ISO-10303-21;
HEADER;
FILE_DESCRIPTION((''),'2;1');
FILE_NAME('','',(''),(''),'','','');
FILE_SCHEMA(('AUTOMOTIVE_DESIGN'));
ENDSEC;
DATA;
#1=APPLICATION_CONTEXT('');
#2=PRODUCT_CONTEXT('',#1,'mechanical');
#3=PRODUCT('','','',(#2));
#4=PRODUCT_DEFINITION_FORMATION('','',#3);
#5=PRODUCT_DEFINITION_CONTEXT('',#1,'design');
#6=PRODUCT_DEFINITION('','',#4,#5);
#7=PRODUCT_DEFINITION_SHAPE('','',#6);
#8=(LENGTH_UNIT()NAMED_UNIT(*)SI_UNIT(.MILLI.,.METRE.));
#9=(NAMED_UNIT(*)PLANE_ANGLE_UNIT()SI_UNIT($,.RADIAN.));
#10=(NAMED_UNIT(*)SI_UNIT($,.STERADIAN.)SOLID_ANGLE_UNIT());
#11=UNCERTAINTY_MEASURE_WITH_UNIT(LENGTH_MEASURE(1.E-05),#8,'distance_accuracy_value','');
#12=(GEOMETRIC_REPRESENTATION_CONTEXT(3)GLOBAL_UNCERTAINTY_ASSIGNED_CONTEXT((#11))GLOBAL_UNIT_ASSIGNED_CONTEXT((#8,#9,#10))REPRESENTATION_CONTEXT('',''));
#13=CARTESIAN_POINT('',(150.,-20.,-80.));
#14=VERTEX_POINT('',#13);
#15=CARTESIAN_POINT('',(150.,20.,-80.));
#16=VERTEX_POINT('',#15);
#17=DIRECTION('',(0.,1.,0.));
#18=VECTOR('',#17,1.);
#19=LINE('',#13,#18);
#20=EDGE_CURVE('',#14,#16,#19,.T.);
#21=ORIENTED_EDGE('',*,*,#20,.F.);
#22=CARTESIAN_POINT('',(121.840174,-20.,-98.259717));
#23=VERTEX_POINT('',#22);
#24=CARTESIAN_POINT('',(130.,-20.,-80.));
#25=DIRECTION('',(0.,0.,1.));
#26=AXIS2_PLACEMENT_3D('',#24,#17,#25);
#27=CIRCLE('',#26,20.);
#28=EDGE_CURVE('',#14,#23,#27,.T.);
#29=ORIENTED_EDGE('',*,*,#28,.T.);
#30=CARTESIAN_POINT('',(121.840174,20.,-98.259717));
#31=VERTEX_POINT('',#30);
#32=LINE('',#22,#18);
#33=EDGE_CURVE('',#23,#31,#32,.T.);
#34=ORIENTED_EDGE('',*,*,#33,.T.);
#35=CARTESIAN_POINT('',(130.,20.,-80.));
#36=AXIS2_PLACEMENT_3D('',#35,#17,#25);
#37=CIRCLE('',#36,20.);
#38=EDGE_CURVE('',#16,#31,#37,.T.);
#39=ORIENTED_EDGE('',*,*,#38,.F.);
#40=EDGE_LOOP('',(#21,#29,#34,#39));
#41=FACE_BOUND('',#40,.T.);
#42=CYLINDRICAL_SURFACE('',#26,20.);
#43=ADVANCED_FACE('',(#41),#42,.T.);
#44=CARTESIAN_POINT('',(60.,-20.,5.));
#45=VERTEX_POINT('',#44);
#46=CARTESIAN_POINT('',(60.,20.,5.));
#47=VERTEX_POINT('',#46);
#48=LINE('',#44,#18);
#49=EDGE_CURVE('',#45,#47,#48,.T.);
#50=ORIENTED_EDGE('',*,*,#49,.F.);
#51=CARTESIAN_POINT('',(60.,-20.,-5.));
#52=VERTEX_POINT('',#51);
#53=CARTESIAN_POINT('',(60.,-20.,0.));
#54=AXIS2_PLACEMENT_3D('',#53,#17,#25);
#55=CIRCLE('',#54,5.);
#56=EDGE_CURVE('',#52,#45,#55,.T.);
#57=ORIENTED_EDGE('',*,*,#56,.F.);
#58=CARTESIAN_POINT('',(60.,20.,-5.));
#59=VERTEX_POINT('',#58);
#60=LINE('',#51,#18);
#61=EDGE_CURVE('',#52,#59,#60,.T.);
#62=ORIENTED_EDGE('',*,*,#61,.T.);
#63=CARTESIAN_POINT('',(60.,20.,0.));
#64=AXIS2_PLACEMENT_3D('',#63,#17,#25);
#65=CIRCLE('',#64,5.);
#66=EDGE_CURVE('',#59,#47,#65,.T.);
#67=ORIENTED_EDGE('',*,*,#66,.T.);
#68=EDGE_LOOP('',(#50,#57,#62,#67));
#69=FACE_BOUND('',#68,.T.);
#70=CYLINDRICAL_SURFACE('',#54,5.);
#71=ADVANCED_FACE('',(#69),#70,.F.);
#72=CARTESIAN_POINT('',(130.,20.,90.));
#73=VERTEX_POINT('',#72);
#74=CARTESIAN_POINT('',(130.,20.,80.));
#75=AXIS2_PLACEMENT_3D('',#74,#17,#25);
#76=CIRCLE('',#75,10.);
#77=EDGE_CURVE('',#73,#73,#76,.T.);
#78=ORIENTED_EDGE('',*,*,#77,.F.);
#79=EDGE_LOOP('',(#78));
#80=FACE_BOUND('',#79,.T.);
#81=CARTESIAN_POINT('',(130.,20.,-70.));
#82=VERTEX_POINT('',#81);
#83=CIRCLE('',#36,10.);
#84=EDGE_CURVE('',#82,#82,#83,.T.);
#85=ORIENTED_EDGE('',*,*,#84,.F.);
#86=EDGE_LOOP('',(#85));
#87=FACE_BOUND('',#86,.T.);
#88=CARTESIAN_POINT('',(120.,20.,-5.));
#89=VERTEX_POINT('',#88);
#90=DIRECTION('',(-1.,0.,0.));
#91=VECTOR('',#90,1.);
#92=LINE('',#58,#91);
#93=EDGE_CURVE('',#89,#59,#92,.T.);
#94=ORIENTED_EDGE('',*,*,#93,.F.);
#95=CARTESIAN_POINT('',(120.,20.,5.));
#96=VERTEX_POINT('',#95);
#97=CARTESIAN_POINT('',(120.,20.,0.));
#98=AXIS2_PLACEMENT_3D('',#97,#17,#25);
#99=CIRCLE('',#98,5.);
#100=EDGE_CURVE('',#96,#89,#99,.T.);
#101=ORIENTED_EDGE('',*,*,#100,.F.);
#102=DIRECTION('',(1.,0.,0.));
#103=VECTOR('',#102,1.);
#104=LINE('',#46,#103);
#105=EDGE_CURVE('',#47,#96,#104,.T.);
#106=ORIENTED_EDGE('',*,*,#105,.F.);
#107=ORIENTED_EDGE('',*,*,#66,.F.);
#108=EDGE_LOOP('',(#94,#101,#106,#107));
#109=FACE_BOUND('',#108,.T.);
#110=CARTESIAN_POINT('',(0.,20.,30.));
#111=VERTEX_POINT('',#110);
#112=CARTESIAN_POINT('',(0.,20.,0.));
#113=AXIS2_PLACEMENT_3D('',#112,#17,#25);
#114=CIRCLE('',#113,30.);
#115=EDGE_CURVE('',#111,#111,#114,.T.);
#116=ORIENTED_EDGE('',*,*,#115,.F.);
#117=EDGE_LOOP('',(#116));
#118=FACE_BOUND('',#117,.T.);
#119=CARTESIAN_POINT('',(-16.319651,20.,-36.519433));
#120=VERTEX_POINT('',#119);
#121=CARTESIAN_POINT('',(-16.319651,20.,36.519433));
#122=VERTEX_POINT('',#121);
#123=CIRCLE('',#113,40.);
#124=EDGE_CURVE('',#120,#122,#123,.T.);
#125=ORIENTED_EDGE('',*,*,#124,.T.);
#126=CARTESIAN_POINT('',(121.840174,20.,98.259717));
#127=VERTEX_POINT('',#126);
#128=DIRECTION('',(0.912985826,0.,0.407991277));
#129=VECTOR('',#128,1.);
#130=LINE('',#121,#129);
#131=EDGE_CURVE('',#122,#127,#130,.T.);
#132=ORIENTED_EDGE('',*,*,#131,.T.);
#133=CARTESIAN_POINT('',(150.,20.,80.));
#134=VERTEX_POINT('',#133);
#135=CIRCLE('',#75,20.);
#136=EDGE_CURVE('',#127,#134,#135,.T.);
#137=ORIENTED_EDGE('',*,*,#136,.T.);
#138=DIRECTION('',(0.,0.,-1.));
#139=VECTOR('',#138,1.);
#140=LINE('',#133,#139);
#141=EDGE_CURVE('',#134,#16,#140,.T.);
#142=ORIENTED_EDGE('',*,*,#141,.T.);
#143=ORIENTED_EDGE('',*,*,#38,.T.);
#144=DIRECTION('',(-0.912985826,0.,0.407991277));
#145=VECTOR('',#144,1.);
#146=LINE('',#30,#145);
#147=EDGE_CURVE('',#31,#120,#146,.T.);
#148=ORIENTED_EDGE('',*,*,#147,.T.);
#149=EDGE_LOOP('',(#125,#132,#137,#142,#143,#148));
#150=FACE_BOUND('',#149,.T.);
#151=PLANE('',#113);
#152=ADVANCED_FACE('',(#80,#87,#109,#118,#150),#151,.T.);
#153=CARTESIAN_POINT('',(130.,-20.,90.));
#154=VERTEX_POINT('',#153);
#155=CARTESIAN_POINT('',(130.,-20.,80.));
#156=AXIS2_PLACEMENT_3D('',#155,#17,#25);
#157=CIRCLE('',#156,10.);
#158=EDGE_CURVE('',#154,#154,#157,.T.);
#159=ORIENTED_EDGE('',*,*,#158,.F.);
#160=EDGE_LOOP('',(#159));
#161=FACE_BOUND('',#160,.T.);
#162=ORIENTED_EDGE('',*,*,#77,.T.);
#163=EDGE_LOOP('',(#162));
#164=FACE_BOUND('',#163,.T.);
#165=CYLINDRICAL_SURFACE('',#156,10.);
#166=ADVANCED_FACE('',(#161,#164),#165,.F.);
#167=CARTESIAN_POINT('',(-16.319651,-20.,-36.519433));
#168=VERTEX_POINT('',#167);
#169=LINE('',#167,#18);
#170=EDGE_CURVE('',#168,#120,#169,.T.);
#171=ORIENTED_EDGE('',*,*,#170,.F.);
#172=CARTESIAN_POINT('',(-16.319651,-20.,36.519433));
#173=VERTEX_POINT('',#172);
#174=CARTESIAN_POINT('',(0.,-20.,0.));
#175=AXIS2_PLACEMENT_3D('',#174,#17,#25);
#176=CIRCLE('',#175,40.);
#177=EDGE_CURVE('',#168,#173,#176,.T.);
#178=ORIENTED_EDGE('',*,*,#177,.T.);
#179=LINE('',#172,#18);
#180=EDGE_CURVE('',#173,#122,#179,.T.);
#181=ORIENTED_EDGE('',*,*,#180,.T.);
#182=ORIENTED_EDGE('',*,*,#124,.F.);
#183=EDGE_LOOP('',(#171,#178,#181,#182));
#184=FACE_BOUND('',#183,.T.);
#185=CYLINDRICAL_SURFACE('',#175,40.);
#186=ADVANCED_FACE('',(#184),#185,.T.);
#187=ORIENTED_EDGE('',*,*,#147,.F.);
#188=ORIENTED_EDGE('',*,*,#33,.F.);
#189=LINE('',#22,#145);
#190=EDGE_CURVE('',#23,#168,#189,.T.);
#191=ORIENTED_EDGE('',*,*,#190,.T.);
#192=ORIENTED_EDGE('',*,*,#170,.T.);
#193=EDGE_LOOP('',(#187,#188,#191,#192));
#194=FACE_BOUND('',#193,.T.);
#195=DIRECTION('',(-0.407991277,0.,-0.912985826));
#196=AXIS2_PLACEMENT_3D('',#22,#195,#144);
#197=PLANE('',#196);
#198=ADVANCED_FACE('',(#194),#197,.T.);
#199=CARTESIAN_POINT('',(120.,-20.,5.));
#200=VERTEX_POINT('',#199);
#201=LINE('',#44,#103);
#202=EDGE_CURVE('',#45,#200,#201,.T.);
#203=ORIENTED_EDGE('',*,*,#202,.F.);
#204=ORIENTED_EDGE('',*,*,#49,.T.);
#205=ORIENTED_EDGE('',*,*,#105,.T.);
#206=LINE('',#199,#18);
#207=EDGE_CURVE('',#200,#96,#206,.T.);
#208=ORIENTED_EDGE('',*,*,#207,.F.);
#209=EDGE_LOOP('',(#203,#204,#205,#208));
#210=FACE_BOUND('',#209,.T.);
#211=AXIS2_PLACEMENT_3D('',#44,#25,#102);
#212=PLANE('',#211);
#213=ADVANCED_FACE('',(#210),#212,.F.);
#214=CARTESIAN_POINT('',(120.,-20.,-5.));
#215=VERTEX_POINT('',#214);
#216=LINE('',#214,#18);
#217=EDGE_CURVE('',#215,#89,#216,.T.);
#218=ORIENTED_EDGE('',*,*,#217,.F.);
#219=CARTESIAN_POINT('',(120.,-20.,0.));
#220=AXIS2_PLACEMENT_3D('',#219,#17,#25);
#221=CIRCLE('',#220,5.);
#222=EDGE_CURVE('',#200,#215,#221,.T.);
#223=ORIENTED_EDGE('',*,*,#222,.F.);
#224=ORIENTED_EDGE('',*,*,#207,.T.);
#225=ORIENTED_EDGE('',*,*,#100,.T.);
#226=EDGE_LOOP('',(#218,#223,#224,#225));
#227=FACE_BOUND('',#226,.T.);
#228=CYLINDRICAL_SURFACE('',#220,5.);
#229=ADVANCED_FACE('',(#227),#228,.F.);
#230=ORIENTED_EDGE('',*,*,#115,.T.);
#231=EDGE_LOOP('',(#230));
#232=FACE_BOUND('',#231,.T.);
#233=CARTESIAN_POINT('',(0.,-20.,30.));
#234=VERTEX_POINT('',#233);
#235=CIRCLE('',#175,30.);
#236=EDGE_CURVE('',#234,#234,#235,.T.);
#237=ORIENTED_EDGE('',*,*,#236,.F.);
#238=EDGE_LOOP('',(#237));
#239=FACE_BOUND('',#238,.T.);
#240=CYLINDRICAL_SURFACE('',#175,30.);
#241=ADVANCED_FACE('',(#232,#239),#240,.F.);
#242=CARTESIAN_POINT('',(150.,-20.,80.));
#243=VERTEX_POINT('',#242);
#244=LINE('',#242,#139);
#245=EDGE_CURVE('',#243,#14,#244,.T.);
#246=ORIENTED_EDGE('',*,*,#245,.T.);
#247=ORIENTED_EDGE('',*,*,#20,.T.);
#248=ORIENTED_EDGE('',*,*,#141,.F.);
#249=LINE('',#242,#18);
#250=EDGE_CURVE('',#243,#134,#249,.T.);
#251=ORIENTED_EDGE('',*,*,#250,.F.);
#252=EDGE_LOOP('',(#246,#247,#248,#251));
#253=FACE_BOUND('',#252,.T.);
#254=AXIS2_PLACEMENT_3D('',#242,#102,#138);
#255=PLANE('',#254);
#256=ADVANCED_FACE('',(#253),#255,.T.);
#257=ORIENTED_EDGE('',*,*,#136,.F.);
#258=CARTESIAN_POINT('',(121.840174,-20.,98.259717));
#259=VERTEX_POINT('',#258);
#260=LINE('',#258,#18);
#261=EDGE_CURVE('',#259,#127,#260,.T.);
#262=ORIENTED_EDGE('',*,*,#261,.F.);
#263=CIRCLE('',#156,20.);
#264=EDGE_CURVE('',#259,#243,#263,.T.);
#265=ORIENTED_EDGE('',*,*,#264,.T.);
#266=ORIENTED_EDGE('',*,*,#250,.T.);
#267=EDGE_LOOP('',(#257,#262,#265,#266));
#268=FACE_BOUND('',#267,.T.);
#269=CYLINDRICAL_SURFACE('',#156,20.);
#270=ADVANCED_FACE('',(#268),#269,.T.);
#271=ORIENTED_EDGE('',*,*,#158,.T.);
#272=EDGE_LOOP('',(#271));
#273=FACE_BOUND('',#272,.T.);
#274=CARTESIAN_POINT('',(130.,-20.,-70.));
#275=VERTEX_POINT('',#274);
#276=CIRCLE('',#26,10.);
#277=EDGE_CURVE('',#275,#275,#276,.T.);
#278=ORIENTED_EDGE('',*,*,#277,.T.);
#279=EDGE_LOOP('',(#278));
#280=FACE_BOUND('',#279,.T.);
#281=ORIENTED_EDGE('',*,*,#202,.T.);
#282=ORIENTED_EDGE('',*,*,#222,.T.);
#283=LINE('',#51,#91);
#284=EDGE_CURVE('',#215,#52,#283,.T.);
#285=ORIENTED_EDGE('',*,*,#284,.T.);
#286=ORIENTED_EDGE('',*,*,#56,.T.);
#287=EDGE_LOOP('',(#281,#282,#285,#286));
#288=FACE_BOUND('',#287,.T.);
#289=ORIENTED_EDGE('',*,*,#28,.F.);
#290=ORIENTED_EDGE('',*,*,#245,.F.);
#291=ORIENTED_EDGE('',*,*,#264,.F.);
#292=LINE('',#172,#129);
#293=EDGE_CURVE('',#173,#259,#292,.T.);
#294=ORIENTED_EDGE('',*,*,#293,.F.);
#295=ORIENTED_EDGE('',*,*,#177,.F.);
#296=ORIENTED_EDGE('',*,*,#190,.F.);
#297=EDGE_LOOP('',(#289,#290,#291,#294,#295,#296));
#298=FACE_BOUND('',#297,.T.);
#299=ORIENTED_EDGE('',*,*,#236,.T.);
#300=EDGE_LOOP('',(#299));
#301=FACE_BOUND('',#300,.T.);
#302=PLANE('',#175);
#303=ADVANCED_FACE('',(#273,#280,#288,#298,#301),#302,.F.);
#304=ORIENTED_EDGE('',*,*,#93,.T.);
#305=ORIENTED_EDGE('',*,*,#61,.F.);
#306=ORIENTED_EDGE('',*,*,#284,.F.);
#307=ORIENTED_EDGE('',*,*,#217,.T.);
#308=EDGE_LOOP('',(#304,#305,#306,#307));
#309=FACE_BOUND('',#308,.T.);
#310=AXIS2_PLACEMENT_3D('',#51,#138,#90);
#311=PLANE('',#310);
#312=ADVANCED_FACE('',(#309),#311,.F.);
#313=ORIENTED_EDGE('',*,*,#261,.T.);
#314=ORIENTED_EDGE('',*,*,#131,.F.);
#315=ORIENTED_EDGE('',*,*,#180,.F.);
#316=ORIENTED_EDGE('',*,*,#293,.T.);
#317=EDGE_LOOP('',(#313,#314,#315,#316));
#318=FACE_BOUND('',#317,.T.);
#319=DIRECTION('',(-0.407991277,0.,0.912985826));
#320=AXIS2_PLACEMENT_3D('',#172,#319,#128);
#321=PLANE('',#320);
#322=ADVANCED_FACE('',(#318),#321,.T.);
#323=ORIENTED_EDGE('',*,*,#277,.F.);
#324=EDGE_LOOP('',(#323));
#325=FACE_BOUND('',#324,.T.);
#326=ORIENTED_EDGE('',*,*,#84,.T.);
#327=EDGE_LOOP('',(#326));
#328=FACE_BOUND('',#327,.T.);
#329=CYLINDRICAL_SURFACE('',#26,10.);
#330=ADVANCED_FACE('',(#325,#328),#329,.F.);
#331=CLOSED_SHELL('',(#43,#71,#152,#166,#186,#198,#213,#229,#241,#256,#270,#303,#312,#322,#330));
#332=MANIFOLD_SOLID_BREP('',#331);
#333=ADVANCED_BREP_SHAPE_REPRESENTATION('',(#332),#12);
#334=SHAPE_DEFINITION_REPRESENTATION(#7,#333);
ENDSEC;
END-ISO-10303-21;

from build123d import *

# Parameters (mm, degrees)
BOSS_EXTRUDE1_DEPTH      = 20
BOSS_EXTRUDE1_DEPTH_BACK = 20
SKETCH1_R                = 30
SKETCH1_R_2              = 10


with BuildPart() as part:
    # Sketch1 → Boss-Extrude1 (new, two sides: drawn at the far end of the back side and taken through both)
    with BuildSketch(Plane(origin=(0, 0, 0), x_dir=(1, 0, 0), z_dir=(0, 1, 0)).offset(-BOSS_EXTRUDE1_DEPTH_BACK)):
        with BuildLine():
            Line((121.840174455, 98.259716511), (-16.319651091, 36.519433022))
            ThreePointArc((-16.319651091, 36.519433022), (-40, 0), (-16.319651091, -36.519433022))
            Line((-16.319651091, -36.519433022), (121.840174455, -98.259716511))
            ThreePointArc((121.840174455, -98.259716511), (140.88125657, -96.780889591), (150, -80))
            Line((150, -80), (150, 80))
            ThreePointArc((150, 80), (140.88125657, 96.780889591), (121.840174455, 98.259716511))
        make_face()
        Circle(SKETCH1_R, mode=Mode.SUBTRACT)
        with Locations((130, 80)):
            Circle(SKETCH1_R_2, mode=Mode.SUBTRACT)
        with Locations((130, -80)):
            Circle(SKETCH1_R_2, mode=Mode.SUBTRACT)
        with BuildLine():
            Line((60, -5), (120, -5))
            ThreePointArc((120, -5), (125, 0), (120, 5))
            Line((120, 5), (60, 5))
            ThreePointArc((60, 5), (55, 0), (60, -5))
        make_face(mode=Mode.SUBTRACT)
    extrude(amount=BOSS_EXTRUDE1_DEPTH + BOSS_EXTRUDE1_DEPTH_BACK)


solid = part.part
